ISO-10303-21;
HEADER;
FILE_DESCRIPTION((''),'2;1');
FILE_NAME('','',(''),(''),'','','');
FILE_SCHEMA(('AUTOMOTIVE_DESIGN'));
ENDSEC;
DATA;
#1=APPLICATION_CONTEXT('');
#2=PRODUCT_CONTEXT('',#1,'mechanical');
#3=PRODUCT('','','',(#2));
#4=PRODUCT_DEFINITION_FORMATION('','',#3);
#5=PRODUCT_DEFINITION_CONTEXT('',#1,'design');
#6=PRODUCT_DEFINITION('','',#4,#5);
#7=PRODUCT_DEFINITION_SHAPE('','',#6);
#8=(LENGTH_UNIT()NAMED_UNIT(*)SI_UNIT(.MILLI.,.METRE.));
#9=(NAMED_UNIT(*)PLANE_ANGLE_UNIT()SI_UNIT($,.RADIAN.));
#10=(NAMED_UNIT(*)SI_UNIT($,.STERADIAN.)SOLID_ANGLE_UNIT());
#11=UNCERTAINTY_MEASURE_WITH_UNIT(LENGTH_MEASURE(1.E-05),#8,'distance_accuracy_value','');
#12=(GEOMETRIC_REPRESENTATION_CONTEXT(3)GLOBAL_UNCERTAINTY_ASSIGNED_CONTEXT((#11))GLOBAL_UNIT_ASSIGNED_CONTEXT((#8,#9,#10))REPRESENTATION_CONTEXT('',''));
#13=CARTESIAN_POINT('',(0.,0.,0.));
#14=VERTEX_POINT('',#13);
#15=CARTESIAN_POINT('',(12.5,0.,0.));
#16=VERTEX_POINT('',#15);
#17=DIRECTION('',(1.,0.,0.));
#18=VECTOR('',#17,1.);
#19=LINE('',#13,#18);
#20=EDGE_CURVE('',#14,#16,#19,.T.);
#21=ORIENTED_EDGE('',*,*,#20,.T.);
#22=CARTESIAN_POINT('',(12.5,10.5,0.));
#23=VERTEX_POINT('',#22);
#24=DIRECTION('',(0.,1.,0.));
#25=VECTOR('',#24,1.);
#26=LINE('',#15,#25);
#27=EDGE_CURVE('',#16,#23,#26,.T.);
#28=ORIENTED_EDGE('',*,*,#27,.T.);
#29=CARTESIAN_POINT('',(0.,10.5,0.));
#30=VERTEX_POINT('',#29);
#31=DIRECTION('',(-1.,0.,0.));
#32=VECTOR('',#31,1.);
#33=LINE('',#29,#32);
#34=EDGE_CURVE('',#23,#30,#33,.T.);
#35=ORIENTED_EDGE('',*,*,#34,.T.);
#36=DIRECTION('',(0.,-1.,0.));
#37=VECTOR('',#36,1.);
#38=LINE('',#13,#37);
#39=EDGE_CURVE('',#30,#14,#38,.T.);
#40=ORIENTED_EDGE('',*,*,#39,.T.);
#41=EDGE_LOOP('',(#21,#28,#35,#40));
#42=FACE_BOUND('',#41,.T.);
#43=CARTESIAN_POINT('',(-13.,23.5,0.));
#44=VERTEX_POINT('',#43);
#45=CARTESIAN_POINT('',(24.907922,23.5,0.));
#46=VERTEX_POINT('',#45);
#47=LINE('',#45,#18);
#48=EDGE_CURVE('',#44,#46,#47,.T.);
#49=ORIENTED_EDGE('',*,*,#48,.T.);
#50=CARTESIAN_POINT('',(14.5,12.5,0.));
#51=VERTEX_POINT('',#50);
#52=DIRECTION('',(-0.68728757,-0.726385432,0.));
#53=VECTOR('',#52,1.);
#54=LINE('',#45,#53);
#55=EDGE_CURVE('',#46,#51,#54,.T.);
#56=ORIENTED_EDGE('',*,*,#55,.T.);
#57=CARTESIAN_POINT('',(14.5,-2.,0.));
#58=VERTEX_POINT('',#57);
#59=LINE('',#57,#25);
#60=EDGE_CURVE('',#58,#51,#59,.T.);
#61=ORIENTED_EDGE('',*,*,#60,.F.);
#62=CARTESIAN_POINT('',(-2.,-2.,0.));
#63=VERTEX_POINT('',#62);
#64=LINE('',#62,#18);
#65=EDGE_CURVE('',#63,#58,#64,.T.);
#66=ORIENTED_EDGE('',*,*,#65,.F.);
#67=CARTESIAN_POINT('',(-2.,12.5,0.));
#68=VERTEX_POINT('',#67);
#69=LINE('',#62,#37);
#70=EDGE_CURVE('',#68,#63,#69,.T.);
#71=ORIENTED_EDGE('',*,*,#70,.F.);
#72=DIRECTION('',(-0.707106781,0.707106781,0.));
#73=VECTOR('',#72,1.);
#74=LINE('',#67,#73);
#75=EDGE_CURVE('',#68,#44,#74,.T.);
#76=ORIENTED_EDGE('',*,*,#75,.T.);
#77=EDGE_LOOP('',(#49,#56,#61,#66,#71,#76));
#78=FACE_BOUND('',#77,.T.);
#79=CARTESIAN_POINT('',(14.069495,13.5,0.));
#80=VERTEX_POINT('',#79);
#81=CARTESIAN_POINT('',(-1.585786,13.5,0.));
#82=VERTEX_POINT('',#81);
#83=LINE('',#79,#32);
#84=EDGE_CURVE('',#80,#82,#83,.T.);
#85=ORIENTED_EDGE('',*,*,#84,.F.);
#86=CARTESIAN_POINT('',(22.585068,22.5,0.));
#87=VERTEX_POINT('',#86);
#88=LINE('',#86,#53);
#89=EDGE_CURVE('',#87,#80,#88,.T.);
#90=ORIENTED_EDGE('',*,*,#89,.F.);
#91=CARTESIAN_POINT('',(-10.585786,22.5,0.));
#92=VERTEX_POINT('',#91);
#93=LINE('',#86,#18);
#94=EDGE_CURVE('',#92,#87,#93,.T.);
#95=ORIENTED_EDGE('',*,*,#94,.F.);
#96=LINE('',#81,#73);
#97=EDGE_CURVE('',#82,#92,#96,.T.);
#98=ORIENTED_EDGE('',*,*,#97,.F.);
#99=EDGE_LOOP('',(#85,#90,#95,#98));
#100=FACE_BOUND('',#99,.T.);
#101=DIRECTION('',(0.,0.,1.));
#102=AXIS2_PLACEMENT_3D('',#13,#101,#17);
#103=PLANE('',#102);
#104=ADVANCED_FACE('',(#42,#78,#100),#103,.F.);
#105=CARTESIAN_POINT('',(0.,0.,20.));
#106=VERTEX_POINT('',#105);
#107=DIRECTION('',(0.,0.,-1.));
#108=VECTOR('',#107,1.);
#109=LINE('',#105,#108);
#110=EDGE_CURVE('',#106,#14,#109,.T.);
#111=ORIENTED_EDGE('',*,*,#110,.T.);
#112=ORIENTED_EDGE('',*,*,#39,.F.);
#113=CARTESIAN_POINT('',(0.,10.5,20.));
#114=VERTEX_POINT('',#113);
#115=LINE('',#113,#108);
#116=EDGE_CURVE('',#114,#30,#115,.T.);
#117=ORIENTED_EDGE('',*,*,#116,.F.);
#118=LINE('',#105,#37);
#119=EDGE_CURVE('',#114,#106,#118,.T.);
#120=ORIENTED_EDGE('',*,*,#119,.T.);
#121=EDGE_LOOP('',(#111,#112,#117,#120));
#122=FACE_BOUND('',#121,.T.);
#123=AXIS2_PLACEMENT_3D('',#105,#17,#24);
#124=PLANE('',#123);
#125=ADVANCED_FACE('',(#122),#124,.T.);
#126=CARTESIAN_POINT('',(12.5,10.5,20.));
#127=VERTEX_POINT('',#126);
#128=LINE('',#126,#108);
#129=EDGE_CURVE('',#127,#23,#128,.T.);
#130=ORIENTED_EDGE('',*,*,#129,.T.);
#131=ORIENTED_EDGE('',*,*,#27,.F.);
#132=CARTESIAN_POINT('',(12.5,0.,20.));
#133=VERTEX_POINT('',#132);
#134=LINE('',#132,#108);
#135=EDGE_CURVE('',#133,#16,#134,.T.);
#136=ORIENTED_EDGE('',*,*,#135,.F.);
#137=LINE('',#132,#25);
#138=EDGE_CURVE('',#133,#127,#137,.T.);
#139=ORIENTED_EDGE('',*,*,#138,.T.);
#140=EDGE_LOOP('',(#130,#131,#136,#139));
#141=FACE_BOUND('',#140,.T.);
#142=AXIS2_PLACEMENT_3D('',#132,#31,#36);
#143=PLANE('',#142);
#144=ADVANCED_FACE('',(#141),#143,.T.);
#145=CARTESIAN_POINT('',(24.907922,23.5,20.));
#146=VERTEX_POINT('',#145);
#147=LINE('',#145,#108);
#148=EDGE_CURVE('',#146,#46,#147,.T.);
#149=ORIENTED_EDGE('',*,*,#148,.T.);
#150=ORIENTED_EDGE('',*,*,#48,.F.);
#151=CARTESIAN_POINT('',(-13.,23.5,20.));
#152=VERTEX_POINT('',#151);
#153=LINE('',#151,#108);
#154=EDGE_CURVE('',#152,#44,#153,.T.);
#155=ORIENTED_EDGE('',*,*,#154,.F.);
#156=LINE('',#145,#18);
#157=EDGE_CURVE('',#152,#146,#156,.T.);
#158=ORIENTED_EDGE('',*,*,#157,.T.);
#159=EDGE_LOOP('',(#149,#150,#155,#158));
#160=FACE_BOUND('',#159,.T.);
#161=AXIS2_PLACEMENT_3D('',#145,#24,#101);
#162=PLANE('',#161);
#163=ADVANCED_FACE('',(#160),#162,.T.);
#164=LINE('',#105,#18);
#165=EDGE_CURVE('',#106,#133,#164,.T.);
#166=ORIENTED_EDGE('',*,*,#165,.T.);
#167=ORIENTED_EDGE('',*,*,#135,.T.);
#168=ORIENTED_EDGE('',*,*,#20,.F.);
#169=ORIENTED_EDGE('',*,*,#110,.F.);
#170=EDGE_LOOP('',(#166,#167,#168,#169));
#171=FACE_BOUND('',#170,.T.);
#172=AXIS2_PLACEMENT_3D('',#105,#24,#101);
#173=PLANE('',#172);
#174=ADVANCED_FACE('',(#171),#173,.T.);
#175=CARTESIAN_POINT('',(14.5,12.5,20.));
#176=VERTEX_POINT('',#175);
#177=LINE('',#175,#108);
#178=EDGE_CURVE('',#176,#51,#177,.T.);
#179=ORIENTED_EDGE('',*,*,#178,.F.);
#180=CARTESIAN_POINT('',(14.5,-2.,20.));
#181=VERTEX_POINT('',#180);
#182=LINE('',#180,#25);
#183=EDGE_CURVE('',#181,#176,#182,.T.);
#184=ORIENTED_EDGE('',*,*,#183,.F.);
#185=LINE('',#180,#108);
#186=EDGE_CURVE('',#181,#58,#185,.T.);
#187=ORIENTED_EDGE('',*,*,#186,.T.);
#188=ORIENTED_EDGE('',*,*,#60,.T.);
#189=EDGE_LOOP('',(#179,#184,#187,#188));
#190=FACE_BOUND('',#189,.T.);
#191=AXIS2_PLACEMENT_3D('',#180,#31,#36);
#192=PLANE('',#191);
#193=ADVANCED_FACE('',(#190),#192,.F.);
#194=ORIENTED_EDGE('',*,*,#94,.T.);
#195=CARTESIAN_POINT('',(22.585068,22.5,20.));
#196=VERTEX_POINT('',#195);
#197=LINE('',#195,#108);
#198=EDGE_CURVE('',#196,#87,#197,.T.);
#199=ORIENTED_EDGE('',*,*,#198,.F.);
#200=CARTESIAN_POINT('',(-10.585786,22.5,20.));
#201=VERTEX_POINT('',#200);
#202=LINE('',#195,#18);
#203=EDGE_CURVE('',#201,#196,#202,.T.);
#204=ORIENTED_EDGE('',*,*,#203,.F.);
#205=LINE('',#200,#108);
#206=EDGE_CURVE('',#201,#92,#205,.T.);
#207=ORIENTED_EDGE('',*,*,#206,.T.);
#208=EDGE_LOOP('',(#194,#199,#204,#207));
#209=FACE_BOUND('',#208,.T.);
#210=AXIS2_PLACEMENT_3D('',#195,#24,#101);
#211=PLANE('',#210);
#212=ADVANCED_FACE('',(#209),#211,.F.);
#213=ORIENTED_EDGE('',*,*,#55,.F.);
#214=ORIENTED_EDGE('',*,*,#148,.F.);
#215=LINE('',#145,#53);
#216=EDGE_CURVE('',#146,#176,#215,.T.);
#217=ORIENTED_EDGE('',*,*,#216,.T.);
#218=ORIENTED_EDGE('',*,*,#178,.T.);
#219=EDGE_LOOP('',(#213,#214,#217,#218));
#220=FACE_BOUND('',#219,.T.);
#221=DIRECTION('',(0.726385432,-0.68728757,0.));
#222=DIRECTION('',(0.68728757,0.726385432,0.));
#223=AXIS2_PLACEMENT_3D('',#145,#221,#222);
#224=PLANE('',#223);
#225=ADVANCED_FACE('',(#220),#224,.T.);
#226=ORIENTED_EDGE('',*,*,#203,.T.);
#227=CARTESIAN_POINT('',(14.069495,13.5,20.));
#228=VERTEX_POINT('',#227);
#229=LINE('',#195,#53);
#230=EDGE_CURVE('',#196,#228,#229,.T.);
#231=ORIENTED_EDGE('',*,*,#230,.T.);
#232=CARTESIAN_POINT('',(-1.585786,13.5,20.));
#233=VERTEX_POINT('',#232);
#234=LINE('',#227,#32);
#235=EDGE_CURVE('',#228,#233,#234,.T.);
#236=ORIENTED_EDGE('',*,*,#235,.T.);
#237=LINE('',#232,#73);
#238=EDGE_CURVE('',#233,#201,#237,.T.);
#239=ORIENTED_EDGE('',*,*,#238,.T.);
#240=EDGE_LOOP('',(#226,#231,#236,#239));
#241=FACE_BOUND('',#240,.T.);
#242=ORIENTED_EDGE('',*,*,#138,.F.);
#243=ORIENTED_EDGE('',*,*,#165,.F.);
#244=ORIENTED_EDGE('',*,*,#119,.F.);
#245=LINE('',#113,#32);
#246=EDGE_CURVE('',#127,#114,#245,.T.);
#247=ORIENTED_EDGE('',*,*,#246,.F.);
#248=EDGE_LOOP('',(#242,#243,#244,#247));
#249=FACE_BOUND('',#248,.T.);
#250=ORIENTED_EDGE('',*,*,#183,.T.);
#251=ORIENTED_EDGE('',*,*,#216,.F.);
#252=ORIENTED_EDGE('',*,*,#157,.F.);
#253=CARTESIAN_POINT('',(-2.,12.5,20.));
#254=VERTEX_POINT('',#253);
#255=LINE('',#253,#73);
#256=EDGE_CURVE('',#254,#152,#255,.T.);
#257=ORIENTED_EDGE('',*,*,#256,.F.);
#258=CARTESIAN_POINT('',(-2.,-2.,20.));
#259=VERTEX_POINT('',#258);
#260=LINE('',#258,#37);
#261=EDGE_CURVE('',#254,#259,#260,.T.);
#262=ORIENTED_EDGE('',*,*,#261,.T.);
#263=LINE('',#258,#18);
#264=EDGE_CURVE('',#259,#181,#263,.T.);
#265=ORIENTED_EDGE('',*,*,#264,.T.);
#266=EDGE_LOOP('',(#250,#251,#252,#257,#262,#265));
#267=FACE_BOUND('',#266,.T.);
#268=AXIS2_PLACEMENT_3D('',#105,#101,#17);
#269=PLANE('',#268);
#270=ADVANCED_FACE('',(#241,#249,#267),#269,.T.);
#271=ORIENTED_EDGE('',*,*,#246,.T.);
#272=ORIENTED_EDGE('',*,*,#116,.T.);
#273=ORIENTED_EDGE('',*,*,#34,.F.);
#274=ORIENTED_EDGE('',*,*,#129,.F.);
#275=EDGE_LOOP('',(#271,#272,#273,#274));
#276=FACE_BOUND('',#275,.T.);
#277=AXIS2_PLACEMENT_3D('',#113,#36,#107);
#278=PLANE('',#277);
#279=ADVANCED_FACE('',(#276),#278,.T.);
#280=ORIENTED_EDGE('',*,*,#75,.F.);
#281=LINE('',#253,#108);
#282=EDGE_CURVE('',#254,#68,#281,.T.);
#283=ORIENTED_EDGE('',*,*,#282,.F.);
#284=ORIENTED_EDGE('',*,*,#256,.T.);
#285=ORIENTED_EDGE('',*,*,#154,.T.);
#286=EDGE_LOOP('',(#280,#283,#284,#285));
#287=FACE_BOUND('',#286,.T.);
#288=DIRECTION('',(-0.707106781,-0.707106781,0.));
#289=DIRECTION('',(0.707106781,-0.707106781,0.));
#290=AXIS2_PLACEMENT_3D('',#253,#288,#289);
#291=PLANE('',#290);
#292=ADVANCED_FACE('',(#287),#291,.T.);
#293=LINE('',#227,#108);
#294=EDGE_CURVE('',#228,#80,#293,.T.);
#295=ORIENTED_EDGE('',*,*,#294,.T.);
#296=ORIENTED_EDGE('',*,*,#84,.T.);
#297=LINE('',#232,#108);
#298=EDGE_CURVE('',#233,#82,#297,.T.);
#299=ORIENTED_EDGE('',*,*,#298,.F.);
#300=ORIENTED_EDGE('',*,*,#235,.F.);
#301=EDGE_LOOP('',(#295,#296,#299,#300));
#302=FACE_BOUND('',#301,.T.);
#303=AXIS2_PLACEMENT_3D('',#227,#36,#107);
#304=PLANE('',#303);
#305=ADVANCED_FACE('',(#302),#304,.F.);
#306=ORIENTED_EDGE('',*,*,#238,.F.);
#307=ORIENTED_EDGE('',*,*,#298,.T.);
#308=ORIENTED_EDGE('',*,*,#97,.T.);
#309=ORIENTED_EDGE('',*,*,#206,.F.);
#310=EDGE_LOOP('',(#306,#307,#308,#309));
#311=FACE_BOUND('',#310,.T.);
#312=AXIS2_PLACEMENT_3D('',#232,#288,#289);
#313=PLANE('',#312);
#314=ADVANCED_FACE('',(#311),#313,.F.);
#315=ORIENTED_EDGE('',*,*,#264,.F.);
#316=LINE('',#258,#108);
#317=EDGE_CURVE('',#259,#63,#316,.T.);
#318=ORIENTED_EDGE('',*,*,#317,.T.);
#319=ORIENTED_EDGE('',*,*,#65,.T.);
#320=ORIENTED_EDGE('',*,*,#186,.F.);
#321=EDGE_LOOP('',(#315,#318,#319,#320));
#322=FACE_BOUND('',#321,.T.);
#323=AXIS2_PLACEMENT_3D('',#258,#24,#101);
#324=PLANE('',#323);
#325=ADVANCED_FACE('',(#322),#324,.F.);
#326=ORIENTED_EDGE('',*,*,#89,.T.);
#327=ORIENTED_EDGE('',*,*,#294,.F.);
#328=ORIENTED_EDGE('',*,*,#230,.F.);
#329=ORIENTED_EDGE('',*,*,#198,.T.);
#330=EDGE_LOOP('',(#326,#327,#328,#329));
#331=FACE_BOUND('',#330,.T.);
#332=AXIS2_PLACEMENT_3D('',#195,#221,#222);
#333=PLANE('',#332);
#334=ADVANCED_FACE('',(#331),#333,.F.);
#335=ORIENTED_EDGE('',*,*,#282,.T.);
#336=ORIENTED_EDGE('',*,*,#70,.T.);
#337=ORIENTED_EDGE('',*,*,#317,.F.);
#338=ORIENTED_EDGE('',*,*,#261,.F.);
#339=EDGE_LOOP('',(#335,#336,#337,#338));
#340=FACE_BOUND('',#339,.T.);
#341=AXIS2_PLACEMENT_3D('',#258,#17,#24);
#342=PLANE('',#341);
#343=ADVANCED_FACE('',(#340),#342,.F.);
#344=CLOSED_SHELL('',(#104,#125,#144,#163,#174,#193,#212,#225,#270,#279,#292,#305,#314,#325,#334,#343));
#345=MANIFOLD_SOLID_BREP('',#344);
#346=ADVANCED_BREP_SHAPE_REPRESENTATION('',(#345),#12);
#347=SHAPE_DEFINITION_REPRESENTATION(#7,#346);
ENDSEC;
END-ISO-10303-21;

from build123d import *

# Parameters (mm, degrees)
SKETCH1_W           = 16.5
SKETCH1_H           = 14.5
SKETCH1_W_2         = 12.5
SKETCH1_H_2         = 10.5
BOSS_EXTRUDE1_DEPTH = 20
BOSS_EXTRUDE2_DEPTH = 20


with BuildPart() as part:
    # Sketch1 → Boss-Extrude1 (new body)
    with BuildSketch(Plane.XY):
        with Locations((6.25, 5.25)):
            Rectangle(SKETCH1_W, SKETCH1_H)
        with Locations((6.25, 5.25)):
            Rectangle(SKETCH1_W_2, SKETCH1_H_2, mode=Mode.SUBTRACT)
    extrude(amount=BOSS_EXTRUDE1_DEPTH)

    # Sketch2 → Boss-Extrude2 (add)
    with BuildSketch(Plane(origin=(0, 0, 0), x_dir=(-1, 0, 0), z_dir=(0, 0, -1))):
        Polygon((2, 12.5), (13, 23.5), (-24.907922473, 23.5), (-14.5, 12.5), align=None)
        Polygon((-22.585068112, 22.5), (-14.069495179, 13.5), (1.585786438, 13.5), (10.585786438, 22.5), align=None, mode=Mode.SUBTRACT)
    extrude(amount=-BOSS_EXTRUDE2_DEPTH)


solid = part.part
